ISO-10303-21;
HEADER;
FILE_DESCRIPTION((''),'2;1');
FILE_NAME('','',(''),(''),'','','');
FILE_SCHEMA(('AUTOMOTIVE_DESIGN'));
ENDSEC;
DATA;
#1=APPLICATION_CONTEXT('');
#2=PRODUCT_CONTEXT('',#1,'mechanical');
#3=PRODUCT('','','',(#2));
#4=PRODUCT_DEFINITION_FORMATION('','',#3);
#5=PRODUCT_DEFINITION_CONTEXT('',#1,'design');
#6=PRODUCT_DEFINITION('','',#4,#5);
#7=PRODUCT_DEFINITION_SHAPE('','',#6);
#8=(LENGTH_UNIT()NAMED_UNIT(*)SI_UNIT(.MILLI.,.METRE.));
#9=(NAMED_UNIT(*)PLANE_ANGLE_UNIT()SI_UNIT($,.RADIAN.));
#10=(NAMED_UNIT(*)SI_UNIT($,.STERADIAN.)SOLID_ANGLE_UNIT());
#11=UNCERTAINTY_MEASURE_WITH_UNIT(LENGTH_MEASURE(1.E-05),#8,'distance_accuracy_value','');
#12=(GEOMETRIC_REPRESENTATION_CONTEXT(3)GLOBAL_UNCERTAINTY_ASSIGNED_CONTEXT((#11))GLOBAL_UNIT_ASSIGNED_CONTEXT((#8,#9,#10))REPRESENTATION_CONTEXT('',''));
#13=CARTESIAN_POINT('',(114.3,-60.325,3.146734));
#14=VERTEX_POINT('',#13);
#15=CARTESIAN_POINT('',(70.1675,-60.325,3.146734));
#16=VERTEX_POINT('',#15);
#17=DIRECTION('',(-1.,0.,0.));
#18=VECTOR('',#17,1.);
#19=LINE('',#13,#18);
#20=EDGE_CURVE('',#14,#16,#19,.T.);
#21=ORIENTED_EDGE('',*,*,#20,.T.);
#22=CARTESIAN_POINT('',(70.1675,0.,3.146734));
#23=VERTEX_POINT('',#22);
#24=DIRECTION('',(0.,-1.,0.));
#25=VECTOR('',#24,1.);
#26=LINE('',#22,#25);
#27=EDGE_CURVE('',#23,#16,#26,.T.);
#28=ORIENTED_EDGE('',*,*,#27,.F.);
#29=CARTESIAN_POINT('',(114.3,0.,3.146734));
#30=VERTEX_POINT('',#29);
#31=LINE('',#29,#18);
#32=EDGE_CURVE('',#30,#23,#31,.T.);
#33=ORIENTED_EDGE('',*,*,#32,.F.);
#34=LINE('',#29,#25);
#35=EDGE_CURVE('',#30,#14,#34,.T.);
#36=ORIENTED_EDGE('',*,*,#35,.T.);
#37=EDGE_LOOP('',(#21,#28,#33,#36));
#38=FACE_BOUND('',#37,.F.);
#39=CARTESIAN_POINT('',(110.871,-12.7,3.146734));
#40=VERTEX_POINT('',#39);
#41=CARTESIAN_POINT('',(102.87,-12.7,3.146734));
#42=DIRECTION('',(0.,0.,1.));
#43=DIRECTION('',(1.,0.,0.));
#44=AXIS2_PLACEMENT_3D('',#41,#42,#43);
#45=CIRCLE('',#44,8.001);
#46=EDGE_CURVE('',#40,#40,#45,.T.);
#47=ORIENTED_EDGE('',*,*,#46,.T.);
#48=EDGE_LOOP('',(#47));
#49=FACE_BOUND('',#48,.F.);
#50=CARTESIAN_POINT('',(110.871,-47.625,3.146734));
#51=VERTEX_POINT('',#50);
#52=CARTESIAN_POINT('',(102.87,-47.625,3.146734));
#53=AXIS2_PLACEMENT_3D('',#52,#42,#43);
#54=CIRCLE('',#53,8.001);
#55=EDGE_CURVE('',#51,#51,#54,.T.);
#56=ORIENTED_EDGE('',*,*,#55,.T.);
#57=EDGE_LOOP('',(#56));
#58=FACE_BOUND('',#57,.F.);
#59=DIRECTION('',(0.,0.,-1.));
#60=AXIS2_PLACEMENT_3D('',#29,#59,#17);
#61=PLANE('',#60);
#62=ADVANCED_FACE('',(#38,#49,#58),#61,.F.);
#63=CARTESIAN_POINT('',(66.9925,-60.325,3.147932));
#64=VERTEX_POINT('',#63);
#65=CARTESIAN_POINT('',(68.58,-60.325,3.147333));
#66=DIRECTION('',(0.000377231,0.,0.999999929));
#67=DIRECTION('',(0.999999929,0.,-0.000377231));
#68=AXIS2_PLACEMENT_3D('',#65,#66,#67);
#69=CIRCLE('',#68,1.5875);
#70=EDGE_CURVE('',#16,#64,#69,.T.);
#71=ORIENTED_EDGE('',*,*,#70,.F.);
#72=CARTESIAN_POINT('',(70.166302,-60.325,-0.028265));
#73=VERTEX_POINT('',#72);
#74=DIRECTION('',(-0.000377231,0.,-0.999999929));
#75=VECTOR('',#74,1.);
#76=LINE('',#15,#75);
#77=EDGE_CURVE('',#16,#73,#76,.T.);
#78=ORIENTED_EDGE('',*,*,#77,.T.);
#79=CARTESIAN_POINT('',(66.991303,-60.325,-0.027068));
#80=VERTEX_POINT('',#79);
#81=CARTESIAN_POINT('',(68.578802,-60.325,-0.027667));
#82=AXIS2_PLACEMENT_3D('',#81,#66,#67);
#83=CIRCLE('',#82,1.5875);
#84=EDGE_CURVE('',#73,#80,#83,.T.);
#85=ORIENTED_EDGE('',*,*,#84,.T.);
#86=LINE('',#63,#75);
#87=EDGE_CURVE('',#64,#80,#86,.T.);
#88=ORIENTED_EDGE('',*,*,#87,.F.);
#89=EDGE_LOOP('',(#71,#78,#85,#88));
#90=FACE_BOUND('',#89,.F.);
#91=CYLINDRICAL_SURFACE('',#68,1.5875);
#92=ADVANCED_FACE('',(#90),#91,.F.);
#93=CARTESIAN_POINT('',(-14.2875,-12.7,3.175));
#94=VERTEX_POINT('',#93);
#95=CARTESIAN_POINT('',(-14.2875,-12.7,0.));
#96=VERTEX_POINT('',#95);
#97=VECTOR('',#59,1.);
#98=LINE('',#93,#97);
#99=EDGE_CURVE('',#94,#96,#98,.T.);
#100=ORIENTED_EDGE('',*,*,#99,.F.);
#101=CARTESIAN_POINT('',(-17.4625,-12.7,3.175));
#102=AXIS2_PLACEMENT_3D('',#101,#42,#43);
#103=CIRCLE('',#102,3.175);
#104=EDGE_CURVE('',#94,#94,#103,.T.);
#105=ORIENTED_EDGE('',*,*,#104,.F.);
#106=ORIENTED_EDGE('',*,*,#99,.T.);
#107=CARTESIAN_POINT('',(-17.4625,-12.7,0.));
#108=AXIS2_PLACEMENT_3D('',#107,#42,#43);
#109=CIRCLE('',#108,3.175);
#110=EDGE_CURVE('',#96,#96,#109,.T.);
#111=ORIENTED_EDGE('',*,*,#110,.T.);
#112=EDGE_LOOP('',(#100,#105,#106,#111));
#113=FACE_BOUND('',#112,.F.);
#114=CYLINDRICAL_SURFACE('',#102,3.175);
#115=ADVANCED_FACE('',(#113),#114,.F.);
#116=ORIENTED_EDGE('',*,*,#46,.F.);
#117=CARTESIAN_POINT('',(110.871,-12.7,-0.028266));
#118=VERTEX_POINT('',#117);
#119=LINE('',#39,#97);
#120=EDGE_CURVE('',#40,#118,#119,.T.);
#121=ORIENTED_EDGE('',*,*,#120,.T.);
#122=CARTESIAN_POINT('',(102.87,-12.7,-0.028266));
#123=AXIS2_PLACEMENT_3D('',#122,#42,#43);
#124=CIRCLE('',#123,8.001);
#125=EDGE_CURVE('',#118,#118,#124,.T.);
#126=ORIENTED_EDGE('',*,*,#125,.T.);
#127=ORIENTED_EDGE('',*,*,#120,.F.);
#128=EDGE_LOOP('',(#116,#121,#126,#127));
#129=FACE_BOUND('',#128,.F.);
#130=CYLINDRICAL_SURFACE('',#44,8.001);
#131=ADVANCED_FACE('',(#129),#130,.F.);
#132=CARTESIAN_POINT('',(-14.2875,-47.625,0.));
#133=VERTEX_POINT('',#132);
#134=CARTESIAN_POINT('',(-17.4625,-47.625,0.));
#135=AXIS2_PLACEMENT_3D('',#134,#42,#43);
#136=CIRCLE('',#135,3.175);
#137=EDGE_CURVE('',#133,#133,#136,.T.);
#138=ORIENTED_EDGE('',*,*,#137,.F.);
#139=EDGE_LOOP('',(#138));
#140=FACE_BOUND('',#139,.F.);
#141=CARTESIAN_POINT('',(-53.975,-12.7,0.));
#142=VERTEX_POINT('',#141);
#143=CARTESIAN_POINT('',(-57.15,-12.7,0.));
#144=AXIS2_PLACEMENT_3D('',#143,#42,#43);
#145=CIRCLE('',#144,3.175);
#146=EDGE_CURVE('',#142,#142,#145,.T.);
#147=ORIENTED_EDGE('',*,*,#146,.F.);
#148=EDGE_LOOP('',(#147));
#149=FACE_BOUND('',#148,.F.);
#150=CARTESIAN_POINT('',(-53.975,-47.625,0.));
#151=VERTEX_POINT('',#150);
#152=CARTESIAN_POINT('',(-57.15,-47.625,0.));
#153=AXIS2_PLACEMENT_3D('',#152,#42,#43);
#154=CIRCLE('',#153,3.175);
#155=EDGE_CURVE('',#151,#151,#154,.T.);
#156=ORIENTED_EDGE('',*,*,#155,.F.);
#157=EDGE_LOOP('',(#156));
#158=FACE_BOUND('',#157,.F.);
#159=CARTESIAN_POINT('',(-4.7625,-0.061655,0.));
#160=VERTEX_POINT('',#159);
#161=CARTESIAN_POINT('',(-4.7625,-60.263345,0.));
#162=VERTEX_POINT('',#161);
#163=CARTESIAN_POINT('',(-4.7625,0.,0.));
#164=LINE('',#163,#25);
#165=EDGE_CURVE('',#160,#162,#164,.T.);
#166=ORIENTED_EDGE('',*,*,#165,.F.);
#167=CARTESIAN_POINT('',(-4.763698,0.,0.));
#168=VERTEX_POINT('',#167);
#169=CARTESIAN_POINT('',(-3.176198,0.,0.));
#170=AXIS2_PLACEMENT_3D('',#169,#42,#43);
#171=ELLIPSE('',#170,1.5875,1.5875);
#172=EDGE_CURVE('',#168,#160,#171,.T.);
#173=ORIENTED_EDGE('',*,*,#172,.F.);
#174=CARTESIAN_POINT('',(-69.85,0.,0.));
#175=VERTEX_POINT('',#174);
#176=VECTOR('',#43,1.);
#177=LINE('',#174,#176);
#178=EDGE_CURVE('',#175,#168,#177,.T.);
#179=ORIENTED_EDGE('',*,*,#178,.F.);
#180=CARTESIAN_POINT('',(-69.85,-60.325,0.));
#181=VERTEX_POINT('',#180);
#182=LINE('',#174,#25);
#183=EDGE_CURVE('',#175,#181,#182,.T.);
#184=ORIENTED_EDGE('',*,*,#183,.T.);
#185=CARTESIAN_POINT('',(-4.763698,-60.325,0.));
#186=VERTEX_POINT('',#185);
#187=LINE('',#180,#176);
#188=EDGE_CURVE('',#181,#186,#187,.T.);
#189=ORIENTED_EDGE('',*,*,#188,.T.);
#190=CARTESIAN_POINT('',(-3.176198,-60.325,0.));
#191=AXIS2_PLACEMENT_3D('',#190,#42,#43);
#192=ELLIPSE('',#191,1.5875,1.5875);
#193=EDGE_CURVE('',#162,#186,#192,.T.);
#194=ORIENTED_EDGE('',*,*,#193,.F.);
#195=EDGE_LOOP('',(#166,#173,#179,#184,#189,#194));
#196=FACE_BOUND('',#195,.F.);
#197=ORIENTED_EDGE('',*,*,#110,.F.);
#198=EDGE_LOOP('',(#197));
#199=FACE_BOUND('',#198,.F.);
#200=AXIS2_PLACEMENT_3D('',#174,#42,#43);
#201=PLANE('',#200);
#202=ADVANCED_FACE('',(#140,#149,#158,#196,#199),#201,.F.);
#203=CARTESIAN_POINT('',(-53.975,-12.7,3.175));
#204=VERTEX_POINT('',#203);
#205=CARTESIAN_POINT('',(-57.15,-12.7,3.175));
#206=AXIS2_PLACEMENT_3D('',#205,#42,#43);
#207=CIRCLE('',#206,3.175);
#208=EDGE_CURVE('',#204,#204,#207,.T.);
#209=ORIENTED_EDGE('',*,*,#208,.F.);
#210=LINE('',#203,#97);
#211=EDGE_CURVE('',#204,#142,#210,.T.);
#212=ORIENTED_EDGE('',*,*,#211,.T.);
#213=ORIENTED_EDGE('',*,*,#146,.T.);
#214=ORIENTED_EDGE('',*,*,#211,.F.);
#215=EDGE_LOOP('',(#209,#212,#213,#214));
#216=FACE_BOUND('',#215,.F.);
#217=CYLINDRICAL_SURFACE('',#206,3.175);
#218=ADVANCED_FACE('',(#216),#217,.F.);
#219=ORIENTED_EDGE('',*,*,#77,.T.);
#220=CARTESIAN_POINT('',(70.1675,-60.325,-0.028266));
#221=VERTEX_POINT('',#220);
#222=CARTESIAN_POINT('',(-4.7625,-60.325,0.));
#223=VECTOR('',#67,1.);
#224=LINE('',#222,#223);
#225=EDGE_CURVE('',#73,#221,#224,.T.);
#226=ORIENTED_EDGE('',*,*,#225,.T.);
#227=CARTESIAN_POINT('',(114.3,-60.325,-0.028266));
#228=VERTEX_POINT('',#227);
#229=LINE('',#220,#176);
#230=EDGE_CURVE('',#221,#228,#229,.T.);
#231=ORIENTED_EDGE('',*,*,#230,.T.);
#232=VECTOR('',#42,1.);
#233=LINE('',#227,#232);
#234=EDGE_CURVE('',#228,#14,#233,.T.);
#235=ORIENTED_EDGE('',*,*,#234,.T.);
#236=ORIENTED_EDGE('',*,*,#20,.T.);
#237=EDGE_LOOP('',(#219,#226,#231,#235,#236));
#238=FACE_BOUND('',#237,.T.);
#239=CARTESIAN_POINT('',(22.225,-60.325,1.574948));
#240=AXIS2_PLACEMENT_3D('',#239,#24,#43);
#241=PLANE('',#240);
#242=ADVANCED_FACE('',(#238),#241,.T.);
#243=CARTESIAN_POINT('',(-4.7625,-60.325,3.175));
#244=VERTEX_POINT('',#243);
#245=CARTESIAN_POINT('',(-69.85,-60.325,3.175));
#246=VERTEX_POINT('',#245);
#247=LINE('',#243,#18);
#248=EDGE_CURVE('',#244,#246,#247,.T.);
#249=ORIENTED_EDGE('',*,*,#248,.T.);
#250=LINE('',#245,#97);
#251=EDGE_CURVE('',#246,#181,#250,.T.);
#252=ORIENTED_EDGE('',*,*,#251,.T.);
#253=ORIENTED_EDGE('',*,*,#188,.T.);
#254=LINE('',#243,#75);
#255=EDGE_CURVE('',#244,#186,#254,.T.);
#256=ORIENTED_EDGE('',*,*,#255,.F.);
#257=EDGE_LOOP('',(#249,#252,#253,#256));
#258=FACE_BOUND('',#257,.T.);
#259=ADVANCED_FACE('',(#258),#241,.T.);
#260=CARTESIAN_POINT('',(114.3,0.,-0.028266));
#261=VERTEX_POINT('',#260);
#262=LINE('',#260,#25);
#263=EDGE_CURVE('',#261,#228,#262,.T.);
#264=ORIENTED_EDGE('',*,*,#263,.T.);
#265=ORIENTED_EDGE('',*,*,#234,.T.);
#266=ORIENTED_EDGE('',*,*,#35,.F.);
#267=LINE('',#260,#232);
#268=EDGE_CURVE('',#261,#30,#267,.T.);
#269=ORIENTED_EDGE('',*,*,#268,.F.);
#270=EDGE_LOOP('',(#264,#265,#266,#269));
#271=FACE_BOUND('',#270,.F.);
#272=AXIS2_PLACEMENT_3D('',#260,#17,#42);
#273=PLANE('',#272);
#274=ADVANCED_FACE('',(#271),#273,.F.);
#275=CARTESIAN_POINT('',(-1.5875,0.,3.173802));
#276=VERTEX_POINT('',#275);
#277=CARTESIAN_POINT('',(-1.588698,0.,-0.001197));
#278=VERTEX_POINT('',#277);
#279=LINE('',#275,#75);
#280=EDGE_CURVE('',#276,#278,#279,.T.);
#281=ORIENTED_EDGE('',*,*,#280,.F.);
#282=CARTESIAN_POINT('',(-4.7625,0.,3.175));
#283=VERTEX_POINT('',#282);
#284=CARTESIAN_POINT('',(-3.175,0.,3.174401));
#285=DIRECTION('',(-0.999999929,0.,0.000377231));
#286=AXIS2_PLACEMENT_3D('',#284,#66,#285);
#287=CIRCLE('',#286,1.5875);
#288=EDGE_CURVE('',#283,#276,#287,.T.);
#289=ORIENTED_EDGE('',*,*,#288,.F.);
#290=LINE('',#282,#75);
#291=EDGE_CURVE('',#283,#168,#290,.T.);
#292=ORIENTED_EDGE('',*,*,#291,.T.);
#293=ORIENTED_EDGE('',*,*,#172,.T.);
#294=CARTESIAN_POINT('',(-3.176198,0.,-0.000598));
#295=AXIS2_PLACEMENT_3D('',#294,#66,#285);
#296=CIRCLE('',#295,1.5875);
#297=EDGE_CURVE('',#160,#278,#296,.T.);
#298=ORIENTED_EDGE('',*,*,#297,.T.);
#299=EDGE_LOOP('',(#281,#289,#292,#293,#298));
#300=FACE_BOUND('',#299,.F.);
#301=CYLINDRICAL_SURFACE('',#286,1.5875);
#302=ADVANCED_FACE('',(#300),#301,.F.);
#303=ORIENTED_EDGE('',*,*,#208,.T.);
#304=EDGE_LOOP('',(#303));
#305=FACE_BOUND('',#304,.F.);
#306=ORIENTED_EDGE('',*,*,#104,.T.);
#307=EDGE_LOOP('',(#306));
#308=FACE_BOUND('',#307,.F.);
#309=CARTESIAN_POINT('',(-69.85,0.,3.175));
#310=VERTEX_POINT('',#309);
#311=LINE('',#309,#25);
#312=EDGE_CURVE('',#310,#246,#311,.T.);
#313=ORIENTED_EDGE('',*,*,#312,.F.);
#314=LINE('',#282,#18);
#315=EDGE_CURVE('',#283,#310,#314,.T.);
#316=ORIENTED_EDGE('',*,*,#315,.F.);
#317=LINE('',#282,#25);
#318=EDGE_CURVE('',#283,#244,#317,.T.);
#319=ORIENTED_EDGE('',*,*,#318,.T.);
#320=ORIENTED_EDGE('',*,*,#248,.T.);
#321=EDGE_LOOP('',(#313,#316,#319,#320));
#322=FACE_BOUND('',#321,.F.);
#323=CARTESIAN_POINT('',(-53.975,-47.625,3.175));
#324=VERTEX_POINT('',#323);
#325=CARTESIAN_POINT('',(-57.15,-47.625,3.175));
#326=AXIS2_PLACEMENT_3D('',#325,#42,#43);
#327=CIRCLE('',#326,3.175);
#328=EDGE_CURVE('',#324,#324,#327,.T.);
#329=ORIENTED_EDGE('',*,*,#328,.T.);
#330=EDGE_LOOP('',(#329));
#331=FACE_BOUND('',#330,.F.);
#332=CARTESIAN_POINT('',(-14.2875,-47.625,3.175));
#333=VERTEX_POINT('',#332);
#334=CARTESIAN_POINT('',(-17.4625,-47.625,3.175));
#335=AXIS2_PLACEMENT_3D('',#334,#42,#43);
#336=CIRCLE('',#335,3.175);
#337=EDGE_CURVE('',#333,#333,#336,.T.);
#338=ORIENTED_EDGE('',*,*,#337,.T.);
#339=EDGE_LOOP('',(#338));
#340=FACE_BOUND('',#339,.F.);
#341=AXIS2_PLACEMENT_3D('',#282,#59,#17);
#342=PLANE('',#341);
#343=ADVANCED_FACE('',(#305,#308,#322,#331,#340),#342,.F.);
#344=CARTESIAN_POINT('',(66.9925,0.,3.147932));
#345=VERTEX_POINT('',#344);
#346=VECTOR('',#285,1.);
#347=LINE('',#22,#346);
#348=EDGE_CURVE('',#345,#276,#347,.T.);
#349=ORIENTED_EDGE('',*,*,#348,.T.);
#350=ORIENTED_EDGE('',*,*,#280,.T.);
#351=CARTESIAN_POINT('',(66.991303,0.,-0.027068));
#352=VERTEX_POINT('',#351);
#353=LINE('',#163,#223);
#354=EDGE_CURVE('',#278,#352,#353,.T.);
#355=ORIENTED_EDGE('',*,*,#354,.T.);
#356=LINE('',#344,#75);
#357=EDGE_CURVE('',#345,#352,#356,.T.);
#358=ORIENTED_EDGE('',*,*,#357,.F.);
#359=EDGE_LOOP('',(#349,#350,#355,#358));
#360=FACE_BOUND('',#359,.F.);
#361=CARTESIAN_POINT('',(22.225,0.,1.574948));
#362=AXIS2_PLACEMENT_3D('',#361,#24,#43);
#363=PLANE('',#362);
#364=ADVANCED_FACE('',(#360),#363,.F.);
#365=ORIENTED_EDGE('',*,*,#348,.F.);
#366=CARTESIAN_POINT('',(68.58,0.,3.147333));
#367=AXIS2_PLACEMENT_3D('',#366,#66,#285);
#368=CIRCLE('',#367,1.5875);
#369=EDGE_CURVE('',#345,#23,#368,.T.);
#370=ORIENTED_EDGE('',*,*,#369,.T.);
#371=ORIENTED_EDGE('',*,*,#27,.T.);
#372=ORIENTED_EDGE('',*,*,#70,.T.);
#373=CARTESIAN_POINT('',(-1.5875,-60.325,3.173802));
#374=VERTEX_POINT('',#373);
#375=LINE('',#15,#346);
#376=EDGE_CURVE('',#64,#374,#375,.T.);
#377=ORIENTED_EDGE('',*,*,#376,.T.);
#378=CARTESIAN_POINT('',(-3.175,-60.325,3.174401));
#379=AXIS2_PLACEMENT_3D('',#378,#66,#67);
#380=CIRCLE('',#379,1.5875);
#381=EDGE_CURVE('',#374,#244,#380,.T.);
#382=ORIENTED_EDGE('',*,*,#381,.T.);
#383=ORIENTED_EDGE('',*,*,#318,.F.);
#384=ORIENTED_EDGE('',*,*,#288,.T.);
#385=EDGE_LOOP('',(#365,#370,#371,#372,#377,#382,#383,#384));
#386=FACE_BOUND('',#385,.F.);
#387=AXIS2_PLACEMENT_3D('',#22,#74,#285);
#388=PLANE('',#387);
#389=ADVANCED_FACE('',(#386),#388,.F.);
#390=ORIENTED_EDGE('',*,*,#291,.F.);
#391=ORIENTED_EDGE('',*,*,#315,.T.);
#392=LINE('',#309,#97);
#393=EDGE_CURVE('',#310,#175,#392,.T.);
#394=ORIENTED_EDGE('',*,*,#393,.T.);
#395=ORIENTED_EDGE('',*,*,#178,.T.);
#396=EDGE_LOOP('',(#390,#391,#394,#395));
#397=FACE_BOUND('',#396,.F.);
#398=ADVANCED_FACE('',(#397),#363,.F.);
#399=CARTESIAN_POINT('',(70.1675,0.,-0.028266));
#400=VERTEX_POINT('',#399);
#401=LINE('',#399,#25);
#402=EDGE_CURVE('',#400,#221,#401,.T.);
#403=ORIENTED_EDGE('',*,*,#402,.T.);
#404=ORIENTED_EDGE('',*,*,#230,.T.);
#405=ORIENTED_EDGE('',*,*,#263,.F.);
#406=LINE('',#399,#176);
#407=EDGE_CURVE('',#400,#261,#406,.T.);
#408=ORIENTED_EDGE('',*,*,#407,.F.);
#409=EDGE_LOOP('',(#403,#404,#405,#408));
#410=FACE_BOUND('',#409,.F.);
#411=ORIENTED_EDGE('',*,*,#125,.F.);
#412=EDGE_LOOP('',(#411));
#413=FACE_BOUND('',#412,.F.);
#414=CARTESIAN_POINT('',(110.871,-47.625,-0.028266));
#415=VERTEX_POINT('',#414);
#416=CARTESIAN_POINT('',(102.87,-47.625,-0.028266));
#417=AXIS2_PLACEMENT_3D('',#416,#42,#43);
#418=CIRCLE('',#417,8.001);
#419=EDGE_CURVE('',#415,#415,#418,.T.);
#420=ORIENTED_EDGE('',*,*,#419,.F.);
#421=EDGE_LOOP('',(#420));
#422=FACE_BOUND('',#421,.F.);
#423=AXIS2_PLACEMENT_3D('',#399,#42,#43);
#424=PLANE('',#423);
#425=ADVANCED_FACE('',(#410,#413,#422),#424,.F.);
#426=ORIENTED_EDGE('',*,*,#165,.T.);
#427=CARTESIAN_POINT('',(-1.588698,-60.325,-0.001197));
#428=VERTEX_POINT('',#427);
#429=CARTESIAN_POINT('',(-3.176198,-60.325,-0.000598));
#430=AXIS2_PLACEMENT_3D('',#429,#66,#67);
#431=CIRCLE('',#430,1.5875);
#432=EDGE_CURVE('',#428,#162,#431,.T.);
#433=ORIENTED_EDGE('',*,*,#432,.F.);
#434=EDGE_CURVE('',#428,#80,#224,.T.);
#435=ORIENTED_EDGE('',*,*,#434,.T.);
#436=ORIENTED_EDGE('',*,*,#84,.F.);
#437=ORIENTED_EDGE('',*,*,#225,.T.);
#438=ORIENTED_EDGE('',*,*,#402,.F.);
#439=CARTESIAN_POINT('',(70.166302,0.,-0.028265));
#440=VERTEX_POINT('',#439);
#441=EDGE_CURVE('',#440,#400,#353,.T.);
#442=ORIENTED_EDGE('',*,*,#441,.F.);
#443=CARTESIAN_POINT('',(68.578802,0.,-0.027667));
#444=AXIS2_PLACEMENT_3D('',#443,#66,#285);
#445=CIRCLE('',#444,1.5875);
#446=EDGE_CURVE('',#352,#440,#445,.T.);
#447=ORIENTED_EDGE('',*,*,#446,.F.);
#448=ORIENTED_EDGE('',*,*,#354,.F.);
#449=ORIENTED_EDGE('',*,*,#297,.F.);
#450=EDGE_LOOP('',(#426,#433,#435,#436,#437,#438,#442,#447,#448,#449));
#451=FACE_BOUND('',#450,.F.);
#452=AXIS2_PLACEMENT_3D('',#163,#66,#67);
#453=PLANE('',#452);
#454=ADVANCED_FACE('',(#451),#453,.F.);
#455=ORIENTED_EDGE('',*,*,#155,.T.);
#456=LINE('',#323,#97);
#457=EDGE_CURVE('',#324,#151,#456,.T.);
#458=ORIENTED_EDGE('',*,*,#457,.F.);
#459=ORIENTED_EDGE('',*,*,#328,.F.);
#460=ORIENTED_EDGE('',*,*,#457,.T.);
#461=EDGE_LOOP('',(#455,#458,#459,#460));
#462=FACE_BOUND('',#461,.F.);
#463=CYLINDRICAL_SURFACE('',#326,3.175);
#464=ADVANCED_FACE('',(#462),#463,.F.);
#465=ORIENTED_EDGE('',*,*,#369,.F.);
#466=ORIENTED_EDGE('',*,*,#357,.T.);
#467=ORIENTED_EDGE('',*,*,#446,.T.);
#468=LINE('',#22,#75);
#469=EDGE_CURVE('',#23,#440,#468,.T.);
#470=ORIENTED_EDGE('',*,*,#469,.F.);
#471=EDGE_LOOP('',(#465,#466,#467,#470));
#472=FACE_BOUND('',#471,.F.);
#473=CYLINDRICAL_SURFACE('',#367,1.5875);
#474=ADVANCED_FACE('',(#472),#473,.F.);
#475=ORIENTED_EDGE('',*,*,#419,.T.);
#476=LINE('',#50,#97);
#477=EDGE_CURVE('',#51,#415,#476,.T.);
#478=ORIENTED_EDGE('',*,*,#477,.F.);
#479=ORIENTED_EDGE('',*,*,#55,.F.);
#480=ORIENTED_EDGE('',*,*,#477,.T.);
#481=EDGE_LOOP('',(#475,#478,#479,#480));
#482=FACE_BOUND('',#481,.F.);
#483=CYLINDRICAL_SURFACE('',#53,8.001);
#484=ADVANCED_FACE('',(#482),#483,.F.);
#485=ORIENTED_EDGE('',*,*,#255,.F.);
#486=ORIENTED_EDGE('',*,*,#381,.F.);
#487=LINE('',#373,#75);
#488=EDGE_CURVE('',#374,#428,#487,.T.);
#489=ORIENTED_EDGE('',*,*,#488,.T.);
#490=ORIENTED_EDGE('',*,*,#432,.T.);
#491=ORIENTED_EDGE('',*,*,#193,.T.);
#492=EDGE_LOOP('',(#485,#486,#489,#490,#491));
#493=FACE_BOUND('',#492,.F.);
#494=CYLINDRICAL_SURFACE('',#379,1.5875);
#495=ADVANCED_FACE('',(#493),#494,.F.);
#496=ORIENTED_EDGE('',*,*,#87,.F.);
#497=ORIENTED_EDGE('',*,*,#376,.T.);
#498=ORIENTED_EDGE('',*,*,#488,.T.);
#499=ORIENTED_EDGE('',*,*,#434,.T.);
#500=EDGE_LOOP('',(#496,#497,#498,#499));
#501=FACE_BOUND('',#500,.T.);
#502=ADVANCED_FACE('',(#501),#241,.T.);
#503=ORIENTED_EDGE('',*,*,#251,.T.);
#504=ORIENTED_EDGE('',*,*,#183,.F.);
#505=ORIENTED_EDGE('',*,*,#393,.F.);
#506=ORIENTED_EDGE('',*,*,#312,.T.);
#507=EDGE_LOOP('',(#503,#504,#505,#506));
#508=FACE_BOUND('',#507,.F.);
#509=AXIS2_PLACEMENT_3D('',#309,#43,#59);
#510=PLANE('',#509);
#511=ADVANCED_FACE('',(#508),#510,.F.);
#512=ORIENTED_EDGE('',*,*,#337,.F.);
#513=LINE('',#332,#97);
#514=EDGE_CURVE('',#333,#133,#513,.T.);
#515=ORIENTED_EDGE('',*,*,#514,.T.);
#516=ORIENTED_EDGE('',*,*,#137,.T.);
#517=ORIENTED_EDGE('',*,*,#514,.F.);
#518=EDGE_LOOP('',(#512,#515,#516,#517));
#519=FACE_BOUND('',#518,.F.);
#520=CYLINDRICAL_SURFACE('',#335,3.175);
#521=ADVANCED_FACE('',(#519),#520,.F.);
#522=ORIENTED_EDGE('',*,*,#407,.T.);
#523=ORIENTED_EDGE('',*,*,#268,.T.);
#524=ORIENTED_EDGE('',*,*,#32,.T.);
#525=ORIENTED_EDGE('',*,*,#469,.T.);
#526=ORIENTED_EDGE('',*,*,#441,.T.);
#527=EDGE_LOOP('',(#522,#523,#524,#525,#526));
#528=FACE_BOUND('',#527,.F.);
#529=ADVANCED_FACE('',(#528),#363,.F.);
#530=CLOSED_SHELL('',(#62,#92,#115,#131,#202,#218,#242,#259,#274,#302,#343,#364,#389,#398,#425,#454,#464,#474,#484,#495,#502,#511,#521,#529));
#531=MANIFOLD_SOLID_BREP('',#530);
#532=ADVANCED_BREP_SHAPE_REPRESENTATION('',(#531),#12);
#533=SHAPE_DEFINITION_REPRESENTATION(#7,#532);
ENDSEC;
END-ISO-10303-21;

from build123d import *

# Parameters (mm, degrees)
F1_DEPTH = 60.325
F2_R     = 8.001
F3_DEPTH = 25.4
F4_R     = 3.175
F5_DEPTH = 25.4
F6_R     = 3.175
F7_DEPTH = 25.4
F9_DEPTH = 25.4


with BuildPart() as f1:
    # F0 (on Front) → F1 (new body)
    with BuildSketch(Plane.XZ):
        Polygon((-4.7625, 3.175), (-69.85, 3.175), (-69.85, 0), (-4.7625, 0), (70.1675, -0.0282659046), (114.3, -0.0282659046), (114.3, 3.1467340954), (70.1675, 3.1467340954), align=None)
    extrude(amount=F1_DEPTH)

    # F2 (on face) → F3 (cut)
    with BuildSketch(Plane.XY.offset(3.1467340954)):
        with Locations((102.87, -12.7)):
            Circle(F2_R)
        with Locations((102.87, -47.625)):
            Circle(F2_R)
    extrude(amount=-F3_DEPTH, mode=Mode.SUBTRACT)

    # F4 (on face) → F5 (cut)
    with BuildSketch(Plane.XY.offset(3.175)):
        with Locations((-57.15, -12.7)):
            Circle(F4_R)
        with Locations((-57.15, -47.625)):
            Circle(F4_R)
    extrude(amount=-F5_DEPTH, mode=Mode.SUBTRACT)

    # F6 (on face) → F7 (cut)
    with BuildSketch(Plane.XY.offset(3.175)):
        with Locations((-17.4625, -12.7)):
            Circle(F6_R)
        with Locations((-17.4625, -47.625)):
            Circle(F6_R)
    extrude(amount=-F7_DEPTH, mode=Mode.SUBTRACT)

    # F8 (on face) → F9 (cut)
    with BuildSketch(Plane(origin=(0.0011970299, 0, 3.1732029867), x_dir=(0.9999999288, 0, -0.0003772308), z_dir=(0.0003772308, 0, 0.9999999288))):
        with BuildLine():
            ThreePointArc((-1.5886973689, -60.325), (-3.1761973689, -58.7375), (-4.7636973689, -60.325))
            Line((-4.7636973689, -60.325), (-1.5886973689, -60.325))
        make_face()
        with BuildLine():
            ThreePointArc((70.1663079625, -60.325), (68.5788079625, -58.7375), (66.9913079625, -60.325))
            Line((66.9913079625, -60.325), (70.1663079625, -60.325))
        make_face()
        with BuildLine():
            Line((70.1663079625, 0), (66.9913079625, 0))
            ThreePointArc((66.9913079625, 0), (68.5788079625, -1.5875), (70.1663079625, 0))
        make_face()
        with BuildLine():
            Line((-1.5886973689, 0), (-4.7636973689, 0))
            ThreePointArc((-4.7636973689, 0), (-3.1761973689, -1.5875), (-1.5886973689, 0))
        make_face()
    extrude(amount=-F9_DEPTH, mode=Mode.SUBTRACT)


solid = f1.part
